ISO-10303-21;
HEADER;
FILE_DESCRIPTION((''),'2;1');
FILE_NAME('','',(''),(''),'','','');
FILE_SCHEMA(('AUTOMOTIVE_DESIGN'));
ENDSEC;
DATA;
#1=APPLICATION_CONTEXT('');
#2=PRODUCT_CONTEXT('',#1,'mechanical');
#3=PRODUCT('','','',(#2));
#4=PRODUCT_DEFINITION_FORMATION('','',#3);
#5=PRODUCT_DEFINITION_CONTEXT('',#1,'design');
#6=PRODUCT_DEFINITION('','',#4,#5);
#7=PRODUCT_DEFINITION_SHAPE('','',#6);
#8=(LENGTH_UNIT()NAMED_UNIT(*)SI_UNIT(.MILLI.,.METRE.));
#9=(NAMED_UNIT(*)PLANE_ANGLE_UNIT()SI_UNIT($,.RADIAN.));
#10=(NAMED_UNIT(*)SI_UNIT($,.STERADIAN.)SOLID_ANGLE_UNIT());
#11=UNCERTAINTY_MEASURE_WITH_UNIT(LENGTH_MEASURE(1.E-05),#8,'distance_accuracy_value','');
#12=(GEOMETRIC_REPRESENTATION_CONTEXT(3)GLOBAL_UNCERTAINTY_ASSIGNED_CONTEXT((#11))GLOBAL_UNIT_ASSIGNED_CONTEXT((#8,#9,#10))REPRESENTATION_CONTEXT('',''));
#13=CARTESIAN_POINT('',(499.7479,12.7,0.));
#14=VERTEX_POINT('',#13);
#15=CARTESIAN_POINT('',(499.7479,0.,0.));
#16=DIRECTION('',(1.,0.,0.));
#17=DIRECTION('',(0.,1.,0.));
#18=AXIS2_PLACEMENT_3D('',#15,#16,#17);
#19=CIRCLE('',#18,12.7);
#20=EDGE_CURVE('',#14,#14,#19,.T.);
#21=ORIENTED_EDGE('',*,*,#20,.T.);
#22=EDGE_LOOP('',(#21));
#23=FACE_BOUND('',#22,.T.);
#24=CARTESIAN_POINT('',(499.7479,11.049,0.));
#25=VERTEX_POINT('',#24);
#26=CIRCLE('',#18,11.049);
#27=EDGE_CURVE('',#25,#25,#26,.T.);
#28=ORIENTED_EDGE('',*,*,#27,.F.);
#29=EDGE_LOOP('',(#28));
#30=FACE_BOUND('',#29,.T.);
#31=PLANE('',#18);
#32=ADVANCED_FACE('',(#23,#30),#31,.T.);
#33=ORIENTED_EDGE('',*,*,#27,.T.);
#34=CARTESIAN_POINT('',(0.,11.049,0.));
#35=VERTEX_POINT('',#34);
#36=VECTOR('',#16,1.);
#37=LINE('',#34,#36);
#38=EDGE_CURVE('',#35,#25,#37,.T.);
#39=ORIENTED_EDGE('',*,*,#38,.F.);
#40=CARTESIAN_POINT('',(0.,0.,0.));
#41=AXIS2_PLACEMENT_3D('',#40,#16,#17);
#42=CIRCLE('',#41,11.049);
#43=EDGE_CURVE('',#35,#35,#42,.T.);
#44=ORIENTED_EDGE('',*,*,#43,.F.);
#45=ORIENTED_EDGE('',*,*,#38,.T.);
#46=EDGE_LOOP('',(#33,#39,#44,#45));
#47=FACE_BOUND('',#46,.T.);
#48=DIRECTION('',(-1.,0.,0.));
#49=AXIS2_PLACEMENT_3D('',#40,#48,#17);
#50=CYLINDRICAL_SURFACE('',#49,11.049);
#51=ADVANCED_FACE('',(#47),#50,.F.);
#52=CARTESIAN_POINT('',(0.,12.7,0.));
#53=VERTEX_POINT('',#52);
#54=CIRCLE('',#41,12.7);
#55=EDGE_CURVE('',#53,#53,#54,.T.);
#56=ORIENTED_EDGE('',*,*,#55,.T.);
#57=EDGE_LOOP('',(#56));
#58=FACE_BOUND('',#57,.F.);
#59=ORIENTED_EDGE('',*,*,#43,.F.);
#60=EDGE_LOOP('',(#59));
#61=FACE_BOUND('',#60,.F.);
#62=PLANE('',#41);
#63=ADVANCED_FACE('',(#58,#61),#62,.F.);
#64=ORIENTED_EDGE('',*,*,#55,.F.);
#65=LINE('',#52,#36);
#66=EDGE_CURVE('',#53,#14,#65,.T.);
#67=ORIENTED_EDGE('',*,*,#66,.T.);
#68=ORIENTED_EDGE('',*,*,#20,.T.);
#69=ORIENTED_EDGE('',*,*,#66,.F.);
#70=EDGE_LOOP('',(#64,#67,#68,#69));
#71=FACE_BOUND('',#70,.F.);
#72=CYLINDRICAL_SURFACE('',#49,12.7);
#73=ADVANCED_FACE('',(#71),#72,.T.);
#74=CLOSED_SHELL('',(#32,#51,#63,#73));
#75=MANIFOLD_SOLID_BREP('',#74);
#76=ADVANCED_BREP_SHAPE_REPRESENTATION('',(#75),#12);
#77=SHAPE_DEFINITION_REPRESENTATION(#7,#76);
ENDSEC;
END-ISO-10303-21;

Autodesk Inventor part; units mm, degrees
ref_plane "XZ Plane" through (0, 0, 0) normal (0, 1, 0) x (-1, 0, 0)
ref_plane "Start Plane" through (0, 0, 0) normal (1, 0, 0) x (0, 1, 0)
ref_plane "End Plane" through (499.7479, 0, 0) normal (1, 0, 0) x (0, 1, 0)
sketch "Sketch" plane through (0, 0, 0) normal (1, 0, 0) x (0, 1, 0)
  circle A0 centre (0, 0) radius 12.7
  circle A1 centre (0, 0) radius 11.049
  dimension "d0" = 25.4
  dimension "d1" = 1.651
extrude "Body" add sketch "Sketch" along normal up to surface (499.7479 mm away) from surface at 0
sketch "Sketch2" plane through (0, 0, 0) normal (1, 0, 0) x (0, 1, 0)
  line L0 (0, 0) -> (10, 0)
ref_plane "Work Plane3" through (0, 0, 0) normal (0, 0, -1) x (0, 1, 0)
sketch "Sketch3" plane through (0, 0, 0) normal (0, 0, -1) x (0, 1, 0)
  line L0 (-2, 0) -> (12, 0)
  line L1 (-2, 499.7479) -> (12, 499.7479)
  dimension "d9" = 499.7479
equation "\"G_OFFSET_START\" = 0"
equation "\"G_OFFSET_END\" = 0"
equation "\"d5\" = d2 + G_OFFSET_END"
equation "\"G_L\" = d9"
equation "\"d2\" = 499.747894"
properties part number "4130_1x0.065" material "Steel, Alloy"
